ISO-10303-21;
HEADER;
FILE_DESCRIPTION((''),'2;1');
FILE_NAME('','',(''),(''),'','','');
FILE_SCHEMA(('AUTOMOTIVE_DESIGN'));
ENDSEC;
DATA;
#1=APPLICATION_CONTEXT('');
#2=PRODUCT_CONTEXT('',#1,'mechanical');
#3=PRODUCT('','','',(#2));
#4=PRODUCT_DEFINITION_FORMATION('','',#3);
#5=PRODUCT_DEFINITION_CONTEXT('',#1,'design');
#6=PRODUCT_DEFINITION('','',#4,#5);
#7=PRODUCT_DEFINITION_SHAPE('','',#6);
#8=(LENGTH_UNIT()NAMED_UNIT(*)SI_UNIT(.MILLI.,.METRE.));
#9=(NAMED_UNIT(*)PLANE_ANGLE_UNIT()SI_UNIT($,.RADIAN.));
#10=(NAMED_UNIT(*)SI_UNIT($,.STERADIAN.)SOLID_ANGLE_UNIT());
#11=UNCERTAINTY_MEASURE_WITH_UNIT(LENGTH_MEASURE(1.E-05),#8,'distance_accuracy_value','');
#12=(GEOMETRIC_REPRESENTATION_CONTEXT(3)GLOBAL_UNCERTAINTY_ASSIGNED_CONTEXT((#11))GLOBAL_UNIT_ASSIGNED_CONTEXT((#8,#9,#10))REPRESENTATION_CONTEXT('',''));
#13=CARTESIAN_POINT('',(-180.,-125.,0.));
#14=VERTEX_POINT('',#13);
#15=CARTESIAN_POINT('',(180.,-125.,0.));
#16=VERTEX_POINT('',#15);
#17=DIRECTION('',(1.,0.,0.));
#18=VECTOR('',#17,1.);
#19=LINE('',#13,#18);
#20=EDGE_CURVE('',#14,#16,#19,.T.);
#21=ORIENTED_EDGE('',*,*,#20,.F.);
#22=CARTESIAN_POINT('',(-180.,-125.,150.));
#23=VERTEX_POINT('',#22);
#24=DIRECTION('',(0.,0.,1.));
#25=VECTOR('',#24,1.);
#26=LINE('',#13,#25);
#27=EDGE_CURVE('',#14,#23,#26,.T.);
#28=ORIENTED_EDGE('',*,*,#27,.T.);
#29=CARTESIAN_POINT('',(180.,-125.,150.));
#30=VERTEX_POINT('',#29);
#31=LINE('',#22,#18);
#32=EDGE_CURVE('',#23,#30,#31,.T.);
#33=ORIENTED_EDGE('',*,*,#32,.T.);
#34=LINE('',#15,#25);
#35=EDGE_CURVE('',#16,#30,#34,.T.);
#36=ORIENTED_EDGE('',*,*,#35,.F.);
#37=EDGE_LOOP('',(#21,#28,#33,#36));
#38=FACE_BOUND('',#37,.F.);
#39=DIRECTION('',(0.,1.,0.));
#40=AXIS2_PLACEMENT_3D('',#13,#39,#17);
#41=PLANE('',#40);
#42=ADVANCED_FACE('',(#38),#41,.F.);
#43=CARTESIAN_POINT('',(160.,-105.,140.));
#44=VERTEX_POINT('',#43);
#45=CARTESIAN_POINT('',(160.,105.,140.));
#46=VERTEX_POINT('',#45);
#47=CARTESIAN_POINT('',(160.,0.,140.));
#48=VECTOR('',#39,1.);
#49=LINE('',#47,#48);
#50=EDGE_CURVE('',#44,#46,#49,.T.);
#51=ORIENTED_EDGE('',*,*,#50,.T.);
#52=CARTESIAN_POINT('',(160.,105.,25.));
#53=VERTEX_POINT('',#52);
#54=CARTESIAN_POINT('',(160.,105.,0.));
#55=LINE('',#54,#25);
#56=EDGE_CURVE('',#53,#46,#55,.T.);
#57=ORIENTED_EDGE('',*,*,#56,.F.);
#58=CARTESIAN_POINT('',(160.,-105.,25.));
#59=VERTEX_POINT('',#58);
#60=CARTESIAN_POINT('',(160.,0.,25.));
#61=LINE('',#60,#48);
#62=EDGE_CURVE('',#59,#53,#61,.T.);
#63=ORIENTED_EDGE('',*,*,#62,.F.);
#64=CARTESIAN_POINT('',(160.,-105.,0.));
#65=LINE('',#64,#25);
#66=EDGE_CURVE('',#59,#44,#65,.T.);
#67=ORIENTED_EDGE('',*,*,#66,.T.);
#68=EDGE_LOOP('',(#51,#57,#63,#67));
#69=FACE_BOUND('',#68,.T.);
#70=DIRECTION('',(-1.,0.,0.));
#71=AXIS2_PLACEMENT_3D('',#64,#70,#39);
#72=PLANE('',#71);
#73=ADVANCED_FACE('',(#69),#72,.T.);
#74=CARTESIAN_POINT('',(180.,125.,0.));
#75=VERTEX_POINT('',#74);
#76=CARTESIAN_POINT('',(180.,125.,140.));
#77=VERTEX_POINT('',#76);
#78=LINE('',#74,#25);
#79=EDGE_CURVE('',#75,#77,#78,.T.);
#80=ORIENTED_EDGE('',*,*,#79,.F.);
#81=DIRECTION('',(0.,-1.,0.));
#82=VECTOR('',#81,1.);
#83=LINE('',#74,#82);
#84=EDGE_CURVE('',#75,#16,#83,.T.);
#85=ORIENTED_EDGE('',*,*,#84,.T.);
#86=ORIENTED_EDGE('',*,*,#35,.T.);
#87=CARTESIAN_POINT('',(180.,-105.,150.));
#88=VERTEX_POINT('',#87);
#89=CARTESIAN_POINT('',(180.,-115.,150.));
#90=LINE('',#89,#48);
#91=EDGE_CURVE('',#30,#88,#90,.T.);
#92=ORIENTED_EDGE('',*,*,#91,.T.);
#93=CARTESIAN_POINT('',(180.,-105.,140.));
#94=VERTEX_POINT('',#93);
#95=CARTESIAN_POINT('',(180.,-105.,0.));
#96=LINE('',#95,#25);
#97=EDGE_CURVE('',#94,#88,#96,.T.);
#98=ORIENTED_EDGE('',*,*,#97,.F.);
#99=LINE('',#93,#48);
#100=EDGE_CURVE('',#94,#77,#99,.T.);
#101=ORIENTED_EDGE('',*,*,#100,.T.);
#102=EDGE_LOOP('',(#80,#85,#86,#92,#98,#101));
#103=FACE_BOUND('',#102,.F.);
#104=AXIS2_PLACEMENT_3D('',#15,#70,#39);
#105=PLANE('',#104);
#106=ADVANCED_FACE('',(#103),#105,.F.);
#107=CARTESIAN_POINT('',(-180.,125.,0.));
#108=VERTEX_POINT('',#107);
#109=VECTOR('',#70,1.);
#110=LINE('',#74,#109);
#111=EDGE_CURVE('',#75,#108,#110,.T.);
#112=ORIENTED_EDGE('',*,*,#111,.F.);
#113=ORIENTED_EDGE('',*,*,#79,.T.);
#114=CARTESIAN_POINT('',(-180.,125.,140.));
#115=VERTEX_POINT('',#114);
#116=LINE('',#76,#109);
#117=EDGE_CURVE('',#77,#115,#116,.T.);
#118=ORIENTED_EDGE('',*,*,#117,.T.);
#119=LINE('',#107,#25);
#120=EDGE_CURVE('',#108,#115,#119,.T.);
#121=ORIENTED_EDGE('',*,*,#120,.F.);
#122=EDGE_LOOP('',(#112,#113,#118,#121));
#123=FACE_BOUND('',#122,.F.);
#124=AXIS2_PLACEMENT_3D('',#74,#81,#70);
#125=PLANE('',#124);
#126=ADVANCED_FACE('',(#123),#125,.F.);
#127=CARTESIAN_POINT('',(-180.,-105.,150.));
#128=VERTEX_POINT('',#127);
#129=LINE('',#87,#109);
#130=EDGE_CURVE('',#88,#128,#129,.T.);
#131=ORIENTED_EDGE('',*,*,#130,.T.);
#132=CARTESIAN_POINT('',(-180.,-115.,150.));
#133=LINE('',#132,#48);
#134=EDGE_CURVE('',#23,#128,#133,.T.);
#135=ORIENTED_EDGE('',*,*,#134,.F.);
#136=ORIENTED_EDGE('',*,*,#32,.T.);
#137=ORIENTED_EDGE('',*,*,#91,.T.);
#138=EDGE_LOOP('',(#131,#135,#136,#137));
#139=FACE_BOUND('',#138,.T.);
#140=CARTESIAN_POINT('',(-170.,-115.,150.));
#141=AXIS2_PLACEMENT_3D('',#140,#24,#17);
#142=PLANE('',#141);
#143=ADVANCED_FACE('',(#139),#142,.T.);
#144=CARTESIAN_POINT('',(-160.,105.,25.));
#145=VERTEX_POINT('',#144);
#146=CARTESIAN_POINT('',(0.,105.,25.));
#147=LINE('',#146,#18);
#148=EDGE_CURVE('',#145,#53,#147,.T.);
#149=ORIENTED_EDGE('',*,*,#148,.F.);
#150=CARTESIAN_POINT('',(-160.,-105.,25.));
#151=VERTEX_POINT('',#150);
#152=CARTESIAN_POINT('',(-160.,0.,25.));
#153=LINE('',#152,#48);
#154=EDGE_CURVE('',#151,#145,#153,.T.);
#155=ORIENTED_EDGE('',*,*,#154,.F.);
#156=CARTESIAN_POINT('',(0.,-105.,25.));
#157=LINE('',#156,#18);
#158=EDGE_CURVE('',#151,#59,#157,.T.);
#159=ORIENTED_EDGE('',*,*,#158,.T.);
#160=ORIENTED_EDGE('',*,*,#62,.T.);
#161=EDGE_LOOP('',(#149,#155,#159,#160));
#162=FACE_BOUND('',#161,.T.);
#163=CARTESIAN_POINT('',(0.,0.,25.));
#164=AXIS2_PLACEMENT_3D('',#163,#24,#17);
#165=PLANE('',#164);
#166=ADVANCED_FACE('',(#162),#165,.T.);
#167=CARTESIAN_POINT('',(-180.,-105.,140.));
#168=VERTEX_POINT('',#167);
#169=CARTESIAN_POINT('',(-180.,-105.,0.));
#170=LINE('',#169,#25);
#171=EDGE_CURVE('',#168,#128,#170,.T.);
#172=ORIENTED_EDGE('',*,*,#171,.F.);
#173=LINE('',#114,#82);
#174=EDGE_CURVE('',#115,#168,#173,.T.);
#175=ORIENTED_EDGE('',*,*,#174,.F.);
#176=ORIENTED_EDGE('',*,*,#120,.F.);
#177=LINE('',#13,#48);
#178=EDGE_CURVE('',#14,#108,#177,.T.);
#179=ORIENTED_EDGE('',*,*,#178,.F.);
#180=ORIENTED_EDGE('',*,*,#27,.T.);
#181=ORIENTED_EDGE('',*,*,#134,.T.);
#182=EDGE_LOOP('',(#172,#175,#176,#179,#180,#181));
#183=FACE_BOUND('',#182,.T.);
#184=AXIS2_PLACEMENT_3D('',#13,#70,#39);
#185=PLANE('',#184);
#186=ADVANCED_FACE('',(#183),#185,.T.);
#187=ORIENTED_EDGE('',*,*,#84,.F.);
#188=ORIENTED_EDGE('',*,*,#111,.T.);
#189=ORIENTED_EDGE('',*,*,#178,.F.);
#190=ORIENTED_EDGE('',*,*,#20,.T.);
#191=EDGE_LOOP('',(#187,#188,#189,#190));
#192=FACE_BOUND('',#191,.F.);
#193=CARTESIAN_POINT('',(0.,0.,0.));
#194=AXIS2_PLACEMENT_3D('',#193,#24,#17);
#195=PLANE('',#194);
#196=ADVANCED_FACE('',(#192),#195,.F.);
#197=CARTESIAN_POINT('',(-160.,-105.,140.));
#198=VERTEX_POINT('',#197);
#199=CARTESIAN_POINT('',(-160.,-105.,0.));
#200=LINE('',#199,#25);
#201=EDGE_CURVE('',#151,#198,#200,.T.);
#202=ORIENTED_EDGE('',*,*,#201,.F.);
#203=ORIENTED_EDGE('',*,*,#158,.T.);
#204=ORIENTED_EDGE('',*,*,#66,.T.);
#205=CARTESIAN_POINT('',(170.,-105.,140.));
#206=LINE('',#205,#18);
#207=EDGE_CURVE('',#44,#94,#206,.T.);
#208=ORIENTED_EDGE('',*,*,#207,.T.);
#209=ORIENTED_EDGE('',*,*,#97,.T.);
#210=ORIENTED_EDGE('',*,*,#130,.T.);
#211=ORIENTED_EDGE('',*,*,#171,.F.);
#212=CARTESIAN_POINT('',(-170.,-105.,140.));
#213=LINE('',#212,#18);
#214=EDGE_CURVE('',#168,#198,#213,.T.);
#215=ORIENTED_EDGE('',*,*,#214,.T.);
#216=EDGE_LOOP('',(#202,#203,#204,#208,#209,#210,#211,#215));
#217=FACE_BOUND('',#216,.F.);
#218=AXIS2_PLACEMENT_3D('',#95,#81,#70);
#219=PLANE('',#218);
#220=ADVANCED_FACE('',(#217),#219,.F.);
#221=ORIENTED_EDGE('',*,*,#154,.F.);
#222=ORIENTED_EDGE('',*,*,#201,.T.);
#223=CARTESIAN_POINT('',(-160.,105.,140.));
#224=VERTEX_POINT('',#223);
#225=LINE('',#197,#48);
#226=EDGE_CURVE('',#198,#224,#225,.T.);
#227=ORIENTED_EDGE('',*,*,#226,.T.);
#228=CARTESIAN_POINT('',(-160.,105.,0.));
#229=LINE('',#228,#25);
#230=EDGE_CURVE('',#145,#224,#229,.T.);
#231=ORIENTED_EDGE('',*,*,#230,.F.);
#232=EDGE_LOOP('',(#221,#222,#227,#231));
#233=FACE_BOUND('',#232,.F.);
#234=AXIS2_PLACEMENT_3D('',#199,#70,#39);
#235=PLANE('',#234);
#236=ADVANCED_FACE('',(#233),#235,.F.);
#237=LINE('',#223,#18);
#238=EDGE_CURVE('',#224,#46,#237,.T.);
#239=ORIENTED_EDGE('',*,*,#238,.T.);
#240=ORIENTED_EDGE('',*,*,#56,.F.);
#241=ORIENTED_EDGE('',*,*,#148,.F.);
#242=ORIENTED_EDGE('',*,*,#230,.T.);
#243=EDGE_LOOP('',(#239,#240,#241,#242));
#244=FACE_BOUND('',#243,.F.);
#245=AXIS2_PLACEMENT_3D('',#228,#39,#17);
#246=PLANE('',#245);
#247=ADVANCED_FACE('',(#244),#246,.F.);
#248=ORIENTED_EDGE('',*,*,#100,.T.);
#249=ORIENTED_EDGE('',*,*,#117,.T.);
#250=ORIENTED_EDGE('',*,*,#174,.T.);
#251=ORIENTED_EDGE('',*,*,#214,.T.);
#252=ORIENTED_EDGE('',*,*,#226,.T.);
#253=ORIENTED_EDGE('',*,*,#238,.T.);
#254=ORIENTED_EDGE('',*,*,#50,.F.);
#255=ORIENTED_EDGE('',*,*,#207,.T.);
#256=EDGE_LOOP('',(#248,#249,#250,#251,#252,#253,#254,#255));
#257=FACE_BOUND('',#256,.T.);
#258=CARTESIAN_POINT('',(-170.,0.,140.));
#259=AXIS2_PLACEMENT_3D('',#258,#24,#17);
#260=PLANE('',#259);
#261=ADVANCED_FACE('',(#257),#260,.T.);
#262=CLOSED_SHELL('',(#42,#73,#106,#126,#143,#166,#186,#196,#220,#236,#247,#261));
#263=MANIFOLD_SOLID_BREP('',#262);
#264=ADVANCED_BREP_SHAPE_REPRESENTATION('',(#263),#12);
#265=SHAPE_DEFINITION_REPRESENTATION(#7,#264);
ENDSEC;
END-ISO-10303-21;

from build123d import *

# Parameters (mm, degrees)
F0_W     = 20
F0_H     = 20
F0_W_2   = 320
F1_DEPTH = 150
F0_H_2   = 210
F2_DEPTH = 140
F3_DEPTH = 25


with BuildPart() as f1:
    # F0 (on Top) → F1 (new body)
    with BuildSketch(Plane.XY):
        with Locations((-170, -115)):
            Rectangle(F0_W, F0_H)
        with Locations((0, -115)):
            Rectangle(F0_W_2, F0_H)
        with Locations((170, -115)):
            Rectangle(F0_W, F0_H)
    extrude(amount=F1_DEPTH)

    # F0 (on Top) → F2 (join)
    with BuildSketch(Plane.XY):
        with Locations((-170, 0)):
            Rectangle(F0_W, F0_H_2)
        with Locations((-170, 115)):
            Rectangle(F0_W, F0_H)
        with Locations((0, 115)):
            Rectangle(F0_W_2, F0_H)
        with Locations((170, 115)):
            Rectangle(F0_W, F0_H)
        with Locations((170, 0)):
            Rectangle(F0_W, F0_H_2)
    extrude(amount=F2_DEPTH)

    # F0 (on Top) → F3 (join)
    with BuildSketch(Plane.XY):
        Rectangle(F0_W_2, F0_H_2)
    extrude(amount=F3_DEPTH)


solid = f1.part
